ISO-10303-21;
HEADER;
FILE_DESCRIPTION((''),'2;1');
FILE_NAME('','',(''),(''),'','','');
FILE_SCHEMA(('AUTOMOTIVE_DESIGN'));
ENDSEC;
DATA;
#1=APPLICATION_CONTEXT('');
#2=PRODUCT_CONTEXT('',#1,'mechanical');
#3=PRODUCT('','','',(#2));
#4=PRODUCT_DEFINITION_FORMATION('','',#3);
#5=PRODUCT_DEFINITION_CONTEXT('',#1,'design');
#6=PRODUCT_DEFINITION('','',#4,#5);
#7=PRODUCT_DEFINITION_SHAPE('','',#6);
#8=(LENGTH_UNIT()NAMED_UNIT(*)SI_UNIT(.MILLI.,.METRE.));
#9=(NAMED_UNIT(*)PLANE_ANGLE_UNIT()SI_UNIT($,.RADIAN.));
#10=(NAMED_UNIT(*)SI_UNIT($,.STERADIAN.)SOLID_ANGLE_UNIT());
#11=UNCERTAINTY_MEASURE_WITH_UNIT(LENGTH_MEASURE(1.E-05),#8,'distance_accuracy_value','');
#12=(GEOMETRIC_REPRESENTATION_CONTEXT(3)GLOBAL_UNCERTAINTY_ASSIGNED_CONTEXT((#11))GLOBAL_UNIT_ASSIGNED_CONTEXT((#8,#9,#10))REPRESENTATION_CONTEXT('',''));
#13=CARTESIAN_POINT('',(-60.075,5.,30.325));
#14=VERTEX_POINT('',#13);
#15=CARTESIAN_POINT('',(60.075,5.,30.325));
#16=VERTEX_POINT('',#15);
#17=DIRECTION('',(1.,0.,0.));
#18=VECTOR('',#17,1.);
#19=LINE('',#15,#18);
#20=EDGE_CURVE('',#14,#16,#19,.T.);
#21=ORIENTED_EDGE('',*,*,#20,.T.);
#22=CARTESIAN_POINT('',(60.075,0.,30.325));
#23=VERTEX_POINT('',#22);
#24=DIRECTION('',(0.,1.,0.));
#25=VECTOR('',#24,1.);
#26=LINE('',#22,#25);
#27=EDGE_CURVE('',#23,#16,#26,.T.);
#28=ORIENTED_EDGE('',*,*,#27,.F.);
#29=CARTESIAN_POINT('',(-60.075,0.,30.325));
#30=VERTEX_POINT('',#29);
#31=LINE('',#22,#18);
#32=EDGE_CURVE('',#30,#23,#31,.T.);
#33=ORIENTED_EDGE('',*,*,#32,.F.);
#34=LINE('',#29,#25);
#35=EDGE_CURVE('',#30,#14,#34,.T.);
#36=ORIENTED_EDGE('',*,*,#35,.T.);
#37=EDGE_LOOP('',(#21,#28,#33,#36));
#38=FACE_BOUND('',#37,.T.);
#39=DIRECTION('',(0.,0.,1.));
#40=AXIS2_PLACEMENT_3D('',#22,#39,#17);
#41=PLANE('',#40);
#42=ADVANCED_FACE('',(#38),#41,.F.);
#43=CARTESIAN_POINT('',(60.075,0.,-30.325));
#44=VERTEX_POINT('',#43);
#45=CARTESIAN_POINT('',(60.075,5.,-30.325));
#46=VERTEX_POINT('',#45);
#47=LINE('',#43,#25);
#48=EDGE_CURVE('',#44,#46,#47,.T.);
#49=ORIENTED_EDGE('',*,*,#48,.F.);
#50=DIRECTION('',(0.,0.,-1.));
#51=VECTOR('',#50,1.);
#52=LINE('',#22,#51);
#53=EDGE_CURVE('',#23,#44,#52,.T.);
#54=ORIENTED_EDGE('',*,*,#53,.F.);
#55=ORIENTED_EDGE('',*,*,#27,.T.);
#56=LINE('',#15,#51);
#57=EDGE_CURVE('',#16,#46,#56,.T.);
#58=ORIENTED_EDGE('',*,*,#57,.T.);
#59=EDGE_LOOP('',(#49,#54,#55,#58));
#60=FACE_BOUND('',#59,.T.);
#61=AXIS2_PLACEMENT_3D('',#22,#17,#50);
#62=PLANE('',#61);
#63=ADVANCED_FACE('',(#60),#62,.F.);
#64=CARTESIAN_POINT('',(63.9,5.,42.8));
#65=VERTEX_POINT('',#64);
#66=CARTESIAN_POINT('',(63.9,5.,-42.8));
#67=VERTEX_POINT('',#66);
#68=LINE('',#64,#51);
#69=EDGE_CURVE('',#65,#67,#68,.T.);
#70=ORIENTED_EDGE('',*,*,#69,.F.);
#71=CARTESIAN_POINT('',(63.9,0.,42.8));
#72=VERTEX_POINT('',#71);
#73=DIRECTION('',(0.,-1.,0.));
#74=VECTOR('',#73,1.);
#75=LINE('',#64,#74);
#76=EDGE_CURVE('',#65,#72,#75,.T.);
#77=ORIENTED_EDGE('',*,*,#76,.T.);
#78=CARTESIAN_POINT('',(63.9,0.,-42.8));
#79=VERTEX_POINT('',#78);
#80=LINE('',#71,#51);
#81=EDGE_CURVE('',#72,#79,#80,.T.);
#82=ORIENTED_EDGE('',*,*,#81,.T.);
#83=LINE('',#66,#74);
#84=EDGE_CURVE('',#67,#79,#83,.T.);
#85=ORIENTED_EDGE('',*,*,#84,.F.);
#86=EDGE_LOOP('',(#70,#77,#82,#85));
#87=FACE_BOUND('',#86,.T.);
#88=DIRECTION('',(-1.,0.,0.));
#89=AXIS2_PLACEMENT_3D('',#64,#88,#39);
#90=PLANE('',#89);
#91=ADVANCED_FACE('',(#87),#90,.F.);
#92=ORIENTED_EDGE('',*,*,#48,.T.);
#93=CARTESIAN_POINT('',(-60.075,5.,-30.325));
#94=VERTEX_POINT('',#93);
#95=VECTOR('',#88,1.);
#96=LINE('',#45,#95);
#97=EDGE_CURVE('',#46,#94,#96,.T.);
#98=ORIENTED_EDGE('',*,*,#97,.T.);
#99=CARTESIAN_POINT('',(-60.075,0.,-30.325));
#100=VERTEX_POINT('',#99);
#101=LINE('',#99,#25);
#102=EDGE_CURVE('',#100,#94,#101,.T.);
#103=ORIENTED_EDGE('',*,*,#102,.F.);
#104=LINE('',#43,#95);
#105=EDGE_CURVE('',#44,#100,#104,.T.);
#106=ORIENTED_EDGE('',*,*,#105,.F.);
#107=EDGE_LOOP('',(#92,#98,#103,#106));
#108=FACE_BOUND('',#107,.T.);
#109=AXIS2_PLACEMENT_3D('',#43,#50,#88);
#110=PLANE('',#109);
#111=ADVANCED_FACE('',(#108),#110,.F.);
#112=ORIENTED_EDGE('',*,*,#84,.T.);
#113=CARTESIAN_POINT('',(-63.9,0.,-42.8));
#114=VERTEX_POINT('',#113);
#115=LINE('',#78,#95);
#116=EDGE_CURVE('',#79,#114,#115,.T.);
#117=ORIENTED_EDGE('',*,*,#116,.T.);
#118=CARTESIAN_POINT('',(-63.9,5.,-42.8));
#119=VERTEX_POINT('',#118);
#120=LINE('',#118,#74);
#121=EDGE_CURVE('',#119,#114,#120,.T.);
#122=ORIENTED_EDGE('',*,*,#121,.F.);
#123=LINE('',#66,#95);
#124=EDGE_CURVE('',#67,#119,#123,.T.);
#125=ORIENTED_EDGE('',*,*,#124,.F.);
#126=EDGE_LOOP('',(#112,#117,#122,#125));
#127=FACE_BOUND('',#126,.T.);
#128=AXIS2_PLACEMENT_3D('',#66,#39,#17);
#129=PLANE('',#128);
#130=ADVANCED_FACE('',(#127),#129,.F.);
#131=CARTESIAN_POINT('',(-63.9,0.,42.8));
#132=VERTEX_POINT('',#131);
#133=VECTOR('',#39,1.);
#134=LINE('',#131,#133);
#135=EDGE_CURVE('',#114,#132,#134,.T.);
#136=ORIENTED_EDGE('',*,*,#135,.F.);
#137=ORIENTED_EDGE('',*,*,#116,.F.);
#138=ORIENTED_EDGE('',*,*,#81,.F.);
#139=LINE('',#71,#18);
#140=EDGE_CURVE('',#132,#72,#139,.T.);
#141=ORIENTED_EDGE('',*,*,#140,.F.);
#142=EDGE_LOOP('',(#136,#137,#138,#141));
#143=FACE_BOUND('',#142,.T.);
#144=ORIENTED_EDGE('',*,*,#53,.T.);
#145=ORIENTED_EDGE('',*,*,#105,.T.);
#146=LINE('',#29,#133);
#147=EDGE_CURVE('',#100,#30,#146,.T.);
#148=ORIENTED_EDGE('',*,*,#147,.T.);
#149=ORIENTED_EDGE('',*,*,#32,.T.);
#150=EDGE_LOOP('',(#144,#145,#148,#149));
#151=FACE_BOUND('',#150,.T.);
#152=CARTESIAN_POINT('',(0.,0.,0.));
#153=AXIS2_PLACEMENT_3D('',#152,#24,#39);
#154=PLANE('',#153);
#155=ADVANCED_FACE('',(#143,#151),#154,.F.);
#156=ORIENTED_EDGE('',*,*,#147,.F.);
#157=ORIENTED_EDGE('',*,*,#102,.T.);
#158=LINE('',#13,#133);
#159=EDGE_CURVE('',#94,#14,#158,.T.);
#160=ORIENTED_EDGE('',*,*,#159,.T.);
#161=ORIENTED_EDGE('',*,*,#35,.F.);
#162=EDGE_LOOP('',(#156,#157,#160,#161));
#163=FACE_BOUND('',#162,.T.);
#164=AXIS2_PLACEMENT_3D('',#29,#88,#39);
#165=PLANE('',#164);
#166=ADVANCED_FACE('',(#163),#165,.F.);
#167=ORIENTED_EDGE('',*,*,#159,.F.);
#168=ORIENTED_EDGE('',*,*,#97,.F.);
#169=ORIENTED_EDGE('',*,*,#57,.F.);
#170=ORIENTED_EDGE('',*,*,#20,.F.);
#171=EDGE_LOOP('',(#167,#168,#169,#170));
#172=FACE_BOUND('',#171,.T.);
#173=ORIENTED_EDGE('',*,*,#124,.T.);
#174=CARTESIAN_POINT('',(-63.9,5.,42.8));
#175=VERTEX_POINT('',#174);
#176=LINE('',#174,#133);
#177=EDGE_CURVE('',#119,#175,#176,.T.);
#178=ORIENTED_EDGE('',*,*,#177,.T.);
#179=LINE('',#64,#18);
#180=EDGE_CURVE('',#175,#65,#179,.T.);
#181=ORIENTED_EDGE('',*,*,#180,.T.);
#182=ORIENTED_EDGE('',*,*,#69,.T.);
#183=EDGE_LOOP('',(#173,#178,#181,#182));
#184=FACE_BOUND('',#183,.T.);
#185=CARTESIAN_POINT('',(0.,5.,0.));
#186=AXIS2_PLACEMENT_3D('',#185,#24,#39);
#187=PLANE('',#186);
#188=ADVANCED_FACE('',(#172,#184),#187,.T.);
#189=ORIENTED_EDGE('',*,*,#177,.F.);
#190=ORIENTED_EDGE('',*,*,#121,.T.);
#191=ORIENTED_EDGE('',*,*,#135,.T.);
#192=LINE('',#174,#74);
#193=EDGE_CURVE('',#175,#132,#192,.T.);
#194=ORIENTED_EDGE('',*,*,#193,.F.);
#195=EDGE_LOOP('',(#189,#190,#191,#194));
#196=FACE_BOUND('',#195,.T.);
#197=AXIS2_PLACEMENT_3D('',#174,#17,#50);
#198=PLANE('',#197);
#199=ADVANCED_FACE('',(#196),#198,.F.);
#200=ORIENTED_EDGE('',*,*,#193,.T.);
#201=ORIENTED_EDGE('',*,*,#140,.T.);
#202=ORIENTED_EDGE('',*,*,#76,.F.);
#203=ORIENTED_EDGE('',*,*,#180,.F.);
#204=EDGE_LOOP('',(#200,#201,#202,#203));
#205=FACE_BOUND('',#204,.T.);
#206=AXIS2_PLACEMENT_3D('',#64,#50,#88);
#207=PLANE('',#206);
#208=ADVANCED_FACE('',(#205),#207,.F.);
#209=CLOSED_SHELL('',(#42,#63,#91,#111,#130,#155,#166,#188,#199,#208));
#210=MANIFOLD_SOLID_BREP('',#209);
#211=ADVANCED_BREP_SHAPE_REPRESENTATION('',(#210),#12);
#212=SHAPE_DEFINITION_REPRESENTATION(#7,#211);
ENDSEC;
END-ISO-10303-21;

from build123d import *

# Parameters (mm, degrees)
SKETCH1_W           = 127.8
SKETCH1_H           = 85.6
BOSS_EXTRUDE1_DEPTH = 5
SKETCH2_W           = 120.15
SKETCH2_H           = 60.65
CUT_EXTRUDE1_DEPTH  = 5


with BuildPart() as part:
    # Sketch1 → Boss-Extrude1 (new body)
    with BuildSketch(Plane(origin=(0, 0, 0), x_dir=(1, 0, 0), z_dir=(0, 1, 0))):
        Rectangle(SKETCH1_W, SKETCH1_H)
    extrude(amount=BOSS_EXTRUDE1_DEPTH)

    # Sketch2 → Cut-Extrude1 (cut)
    with BuildSketch(Plane(origin=(0, 5, 0), x_dir=(1, 0, 0), z_dir=(0, 1, 0))):
        Rectangle(SKETCH2_W, SKETCH2_H)
    extrude(amount=-CUT_EXTRUDE1_DEPTH, mode=Mode.SUBTRACT)


solid = part.part
